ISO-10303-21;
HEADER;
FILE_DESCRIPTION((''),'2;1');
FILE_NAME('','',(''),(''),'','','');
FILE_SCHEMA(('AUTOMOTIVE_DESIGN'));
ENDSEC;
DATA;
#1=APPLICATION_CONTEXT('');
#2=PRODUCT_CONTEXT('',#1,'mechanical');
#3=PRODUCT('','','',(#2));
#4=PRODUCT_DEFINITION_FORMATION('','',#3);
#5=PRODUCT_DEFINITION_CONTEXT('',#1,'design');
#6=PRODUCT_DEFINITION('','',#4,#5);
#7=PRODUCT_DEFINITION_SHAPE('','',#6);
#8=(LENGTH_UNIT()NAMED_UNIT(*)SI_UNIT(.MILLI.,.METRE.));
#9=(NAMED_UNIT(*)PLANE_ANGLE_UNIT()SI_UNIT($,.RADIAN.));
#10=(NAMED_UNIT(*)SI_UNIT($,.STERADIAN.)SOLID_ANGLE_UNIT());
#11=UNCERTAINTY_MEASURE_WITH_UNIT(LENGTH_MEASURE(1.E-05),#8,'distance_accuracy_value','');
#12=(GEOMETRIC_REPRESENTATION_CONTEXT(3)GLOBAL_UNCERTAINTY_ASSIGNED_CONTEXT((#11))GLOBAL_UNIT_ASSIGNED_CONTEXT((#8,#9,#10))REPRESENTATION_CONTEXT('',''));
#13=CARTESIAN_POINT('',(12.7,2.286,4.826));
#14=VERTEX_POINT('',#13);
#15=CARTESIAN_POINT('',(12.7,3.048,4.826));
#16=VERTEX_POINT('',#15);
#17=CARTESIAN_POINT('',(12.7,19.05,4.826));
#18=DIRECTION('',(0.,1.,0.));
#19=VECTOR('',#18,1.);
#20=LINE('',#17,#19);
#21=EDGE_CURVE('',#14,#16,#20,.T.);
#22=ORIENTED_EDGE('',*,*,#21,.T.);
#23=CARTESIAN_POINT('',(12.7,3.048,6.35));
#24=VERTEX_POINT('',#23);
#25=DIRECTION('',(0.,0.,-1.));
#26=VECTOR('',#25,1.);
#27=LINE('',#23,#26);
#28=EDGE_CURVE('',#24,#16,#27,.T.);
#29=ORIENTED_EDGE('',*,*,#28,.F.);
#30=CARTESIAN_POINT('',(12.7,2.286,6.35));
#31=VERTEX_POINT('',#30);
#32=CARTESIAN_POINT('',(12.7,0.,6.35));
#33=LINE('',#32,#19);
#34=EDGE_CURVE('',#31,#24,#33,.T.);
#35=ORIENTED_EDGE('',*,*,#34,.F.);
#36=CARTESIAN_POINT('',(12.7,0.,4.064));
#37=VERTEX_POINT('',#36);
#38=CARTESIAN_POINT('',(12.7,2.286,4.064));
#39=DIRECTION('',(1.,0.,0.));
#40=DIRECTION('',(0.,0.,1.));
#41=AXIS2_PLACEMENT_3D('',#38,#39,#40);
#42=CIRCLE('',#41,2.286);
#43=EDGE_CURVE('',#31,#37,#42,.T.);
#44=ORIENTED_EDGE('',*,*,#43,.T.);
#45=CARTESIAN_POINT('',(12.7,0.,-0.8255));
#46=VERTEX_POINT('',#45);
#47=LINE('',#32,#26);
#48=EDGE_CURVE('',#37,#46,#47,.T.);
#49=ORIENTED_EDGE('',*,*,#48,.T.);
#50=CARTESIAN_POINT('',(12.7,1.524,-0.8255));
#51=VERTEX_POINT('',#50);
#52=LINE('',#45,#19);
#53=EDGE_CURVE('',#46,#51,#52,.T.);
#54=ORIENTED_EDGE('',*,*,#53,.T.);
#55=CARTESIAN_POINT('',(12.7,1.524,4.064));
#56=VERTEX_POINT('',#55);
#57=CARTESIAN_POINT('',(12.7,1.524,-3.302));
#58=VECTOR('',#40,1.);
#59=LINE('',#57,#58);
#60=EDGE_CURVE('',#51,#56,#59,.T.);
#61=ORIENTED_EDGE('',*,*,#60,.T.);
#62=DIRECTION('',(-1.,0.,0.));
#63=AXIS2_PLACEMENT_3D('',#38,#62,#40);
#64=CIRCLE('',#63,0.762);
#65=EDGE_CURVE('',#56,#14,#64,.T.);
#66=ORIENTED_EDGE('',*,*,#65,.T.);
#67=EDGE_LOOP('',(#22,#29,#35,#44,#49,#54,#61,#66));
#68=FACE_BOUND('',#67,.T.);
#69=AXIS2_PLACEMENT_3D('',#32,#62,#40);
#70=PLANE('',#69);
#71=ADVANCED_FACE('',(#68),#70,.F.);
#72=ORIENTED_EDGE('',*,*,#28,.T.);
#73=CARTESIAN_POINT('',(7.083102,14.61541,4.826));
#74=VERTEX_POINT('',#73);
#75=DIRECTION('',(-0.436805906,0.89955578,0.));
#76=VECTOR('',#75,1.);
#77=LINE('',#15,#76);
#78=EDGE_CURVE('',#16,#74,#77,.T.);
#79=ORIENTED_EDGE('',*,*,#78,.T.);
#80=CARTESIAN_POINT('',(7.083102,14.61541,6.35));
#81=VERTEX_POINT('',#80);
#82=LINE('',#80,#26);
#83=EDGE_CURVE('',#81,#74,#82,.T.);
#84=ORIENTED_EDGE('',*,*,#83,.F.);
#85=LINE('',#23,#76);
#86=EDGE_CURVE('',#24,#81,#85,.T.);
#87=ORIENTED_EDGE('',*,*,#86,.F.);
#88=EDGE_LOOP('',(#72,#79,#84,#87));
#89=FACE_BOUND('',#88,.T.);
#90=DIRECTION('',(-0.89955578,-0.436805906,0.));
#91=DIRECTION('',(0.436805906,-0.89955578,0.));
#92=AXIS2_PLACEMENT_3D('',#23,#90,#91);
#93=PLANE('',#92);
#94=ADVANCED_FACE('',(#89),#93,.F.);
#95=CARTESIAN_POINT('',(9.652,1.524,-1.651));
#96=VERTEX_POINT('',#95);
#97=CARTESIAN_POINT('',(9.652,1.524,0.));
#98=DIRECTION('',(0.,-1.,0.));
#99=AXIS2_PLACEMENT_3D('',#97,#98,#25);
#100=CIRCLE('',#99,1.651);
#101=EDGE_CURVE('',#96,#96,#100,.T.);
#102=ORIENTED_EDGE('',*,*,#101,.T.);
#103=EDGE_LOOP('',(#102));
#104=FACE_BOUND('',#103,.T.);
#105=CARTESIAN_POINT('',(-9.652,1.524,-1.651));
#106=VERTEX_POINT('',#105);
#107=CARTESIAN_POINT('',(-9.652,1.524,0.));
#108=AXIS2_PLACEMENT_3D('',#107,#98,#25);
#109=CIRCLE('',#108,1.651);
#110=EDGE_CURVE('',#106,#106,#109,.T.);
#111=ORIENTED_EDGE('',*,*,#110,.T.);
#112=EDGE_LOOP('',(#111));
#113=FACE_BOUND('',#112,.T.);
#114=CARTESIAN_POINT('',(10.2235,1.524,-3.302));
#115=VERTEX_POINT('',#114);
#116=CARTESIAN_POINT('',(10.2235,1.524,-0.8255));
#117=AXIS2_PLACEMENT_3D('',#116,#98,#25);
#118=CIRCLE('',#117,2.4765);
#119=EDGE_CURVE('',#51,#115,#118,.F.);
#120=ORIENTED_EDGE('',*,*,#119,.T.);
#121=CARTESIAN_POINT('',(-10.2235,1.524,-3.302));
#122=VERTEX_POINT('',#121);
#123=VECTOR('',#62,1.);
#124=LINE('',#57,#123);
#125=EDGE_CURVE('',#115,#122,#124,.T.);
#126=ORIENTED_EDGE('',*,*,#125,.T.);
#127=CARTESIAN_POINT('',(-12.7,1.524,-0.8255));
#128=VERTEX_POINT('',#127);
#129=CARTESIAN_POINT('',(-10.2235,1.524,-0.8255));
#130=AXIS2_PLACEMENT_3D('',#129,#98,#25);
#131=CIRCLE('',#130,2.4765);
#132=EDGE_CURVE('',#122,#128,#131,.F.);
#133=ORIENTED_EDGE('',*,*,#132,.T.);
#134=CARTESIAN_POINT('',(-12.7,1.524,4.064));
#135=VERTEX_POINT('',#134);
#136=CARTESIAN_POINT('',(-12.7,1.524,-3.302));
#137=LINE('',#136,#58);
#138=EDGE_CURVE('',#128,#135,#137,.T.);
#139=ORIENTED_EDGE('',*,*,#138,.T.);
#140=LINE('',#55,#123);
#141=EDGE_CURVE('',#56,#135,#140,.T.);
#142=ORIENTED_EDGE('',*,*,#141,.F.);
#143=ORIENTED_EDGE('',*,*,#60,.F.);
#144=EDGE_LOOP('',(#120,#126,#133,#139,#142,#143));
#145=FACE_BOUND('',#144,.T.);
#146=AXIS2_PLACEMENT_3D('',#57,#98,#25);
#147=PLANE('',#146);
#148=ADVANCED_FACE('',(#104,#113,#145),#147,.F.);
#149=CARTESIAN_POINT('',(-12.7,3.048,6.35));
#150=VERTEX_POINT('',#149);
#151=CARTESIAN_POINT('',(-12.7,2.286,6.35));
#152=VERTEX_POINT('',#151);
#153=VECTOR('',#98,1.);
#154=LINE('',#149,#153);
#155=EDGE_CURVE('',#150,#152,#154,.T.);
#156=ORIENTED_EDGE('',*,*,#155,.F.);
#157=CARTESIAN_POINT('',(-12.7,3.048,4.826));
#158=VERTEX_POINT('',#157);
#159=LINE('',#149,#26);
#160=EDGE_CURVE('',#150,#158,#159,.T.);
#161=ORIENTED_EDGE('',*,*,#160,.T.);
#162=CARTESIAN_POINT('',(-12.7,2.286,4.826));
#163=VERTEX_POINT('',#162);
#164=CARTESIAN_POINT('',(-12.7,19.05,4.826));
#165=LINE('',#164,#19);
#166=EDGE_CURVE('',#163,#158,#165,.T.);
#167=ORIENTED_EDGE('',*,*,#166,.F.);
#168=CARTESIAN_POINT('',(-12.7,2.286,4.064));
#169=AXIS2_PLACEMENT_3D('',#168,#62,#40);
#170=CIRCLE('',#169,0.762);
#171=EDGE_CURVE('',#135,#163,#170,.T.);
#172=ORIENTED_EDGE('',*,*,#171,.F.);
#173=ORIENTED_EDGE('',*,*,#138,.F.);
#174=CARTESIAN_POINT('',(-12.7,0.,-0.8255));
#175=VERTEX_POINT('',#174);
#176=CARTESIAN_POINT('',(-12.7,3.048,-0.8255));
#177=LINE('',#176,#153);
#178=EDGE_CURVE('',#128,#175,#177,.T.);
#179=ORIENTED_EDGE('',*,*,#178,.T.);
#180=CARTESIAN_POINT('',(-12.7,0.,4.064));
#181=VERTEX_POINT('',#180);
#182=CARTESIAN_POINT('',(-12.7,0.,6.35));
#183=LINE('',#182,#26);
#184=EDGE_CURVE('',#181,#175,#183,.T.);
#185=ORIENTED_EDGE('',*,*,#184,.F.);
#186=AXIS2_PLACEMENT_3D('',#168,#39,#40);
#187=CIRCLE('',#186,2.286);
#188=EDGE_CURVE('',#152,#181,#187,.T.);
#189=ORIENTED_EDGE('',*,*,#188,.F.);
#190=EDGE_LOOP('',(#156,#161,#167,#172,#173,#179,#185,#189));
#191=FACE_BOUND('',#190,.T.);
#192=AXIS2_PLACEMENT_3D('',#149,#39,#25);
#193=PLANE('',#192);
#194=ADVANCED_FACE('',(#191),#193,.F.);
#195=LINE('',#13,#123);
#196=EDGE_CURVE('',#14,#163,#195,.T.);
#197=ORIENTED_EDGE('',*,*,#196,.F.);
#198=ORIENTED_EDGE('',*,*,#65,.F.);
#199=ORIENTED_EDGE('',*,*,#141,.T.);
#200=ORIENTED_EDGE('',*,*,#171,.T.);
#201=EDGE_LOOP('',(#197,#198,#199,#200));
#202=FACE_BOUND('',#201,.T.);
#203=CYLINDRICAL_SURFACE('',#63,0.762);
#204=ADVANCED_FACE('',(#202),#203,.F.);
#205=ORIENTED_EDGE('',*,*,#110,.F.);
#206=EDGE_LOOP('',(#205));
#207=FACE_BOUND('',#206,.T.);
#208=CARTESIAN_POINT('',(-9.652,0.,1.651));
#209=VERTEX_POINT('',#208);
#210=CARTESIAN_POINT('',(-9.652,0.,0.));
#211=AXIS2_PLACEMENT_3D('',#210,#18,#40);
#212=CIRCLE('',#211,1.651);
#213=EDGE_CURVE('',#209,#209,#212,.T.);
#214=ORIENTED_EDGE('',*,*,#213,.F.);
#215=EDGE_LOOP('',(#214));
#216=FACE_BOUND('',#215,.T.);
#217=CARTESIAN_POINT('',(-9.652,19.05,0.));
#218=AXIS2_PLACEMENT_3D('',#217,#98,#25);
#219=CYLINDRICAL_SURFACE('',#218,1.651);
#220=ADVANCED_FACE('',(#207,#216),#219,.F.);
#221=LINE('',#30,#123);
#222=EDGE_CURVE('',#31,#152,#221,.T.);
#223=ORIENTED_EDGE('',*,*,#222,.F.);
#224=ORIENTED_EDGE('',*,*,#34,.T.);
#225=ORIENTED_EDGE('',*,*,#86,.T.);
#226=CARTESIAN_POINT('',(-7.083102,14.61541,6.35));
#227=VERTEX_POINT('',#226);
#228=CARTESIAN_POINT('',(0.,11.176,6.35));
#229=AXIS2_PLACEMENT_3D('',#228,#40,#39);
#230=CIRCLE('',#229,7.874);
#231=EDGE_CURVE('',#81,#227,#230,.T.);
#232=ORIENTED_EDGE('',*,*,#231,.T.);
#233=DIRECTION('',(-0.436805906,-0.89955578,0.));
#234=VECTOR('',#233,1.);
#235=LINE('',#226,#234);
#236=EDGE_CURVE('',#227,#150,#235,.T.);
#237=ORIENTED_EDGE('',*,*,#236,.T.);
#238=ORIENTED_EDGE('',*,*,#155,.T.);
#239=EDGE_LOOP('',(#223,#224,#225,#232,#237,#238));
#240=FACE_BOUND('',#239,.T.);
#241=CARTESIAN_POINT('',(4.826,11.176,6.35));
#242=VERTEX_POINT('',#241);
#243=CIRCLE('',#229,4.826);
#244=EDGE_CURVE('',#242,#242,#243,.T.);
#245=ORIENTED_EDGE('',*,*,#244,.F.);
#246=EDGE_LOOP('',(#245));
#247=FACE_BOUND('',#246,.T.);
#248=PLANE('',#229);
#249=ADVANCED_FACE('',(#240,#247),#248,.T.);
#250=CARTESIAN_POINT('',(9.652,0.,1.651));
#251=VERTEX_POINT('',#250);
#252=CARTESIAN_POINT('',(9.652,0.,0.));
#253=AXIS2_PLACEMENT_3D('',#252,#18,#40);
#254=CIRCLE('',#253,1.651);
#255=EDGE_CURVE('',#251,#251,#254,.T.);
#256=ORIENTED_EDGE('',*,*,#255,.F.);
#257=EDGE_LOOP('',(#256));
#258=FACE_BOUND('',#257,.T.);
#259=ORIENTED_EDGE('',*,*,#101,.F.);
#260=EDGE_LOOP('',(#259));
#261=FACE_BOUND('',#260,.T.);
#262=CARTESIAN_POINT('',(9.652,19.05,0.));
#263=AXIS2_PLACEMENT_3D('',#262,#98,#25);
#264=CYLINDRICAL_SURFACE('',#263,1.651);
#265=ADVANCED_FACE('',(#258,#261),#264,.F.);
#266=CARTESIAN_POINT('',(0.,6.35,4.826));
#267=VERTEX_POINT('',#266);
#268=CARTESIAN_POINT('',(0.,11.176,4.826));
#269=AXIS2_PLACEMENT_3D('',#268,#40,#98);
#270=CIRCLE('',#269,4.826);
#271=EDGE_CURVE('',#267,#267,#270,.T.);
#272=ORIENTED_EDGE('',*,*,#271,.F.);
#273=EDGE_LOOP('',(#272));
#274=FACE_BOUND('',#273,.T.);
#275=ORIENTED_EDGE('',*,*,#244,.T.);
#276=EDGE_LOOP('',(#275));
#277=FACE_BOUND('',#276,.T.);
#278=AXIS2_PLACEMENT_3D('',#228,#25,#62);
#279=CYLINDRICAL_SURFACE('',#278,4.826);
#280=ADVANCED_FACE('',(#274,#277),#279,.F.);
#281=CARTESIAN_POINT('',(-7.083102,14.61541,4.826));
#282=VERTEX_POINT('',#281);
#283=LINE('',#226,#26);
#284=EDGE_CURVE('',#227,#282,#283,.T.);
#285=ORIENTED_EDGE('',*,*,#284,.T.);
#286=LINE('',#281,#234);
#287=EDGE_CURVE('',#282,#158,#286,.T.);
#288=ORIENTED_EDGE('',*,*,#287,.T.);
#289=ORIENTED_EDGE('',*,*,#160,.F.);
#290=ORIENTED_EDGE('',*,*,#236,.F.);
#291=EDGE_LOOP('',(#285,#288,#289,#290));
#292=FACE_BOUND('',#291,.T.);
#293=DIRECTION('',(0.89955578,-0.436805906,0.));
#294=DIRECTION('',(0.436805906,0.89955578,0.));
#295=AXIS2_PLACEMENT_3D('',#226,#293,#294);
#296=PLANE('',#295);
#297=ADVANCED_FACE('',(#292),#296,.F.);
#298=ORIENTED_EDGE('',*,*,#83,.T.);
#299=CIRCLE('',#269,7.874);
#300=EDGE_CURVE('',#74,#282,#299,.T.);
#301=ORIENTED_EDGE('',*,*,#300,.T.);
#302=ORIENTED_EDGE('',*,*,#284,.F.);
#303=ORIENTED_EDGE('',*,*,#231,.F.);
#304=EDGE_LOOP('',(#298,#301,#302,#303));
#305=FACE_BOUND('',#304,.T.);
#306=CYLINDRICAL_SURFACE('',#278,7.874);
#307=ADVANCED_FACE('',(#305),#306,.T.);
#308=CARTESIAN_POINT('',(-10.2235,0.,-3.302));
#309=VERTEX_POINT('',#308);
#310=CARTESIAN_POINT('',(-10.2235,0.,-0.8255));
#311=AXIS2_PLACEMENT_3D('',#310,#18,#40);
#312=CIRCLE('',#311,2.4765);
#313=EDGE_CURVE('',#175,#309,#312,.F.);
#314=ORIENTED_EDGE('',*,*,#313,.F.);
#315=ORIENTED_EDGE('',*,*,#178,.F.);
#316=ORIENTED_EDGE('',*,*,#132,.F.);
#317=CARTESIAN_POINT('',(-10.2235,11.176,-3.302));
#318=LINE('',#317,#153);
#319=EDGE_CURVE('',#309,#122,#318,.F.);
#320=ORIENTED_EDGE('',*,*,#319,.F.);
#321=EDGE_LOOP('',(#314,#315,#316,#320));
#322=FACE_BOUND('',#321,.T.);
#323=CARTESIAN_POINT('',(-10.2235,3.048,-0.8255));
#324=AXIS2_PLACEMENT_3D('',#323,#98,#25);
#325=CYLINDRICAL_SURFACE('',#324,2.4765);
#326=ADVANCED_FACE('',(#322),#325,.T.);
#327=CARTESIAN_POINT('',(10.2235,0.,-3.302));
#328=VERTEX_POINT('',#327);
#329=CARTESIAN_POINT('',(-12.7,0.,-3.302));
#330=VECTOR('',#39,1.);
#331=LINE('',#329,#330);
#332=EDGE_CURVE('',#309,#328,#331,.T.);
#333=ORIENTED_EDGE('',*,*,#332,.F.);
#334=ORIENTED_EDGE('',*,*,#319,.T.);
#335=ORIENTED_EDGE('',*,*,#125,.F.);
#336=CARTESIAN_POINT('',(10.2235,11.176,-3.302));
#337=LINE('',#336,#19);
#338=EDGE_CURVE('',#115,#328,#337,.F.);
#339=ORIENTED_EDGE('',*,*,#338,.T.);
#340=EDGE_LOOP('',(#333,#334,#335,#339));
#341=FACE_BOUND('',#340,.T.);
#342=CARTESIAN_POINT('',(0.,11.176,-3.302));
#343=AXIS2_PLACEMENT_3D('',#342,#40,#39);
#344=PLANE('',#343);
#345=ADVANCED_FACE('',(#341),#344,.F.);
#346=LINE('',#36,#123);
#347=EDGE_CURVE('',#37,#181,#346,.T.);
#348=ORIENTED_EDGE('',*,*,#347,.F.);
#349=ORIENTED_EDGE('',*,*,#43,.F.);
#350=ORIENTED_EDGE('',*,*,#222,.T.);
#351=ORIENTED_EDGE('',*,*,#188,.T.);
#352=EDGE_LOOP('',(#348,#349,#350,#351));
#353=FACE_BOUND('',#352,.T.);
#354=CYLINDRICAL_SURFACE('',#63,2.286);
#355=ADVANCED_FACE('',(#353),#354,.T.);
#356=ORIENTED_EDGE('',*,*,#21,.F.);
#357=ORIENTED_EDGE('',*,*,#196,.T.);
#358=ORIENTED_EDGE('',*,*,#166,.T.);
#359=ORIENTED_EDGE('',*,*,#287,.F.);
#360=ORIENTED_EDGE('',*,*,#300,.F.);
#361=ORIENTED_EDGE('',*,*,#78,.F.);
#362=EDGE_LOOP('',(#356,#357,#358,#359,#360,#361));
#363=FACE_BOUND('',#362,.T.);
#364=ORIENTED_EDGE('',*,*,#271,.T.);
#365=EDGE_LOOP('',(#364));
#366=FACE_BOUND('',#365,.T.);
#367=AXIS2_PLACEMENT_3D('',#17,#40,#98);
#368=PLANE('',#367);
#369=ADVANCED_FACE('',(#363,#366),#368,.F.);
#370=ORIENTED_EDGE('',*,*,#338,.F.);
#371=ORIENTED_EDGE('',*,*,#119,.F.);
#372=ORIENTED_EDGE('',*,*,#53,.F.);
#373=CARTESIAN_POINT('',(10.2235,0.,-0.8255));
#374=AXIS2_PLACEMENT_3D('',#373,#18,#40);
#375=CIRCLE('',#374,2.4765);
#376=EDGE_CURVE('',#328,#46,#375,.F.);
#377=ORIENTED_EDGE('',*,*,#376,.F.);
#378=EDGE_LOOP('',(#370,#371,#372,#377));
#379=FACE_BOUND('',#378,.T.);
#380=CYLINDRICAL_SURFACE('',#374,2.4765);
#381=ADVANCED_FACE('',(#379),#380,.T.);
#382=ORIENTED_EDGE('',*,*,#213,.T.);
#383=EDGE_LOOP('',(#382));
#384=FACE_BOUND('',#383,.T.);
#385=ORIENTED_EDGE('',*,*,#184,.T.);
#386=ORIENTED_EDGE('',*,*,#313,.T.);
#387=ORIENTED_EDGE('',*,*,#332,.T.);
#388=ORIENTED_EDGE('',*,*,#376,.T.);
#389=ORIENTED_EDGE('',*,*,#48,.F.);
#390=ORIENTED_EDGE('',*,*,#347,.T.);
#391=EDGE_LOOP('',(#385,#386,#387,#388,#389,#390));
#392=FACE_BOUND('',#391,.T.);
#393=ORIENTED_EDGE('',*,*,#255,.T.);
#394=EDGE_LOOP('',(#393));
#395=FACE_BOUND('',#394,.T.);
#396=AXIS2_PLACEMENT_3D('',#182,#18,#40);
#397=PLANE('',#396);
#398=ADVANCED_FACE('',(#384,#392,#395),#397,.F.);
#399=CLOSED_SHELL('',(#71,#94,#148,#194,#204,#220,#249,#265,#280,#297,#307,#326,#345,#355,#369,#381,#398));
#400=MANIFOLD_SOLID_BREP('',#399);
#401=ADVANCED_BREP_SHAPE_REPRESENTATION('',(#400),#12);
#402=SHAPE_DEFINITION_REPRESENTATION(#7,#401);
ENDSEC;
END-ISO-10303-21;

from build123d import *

# Parameters (mm, degrees)
BOSS_EXTRUDE1_DEPTH      = 6.35
BOSS_EXTRUDE1_DEPTH_BACK = 3.302
SKETCH3_R                = 4.826
SKETCH4_R                = 1.651
CUT_EXTRUDE1_DEPTH       = 24.759524406
CUT_EXTRUDE2_DEPTH       = 33.378773911
FILLET1_R                = 2.4765


with BuildPart() as part:
    # Sketch3 → Boss-Extrude1 (new, two sides: drawn at the far end of the back side and taken through both)
    with BuildSketch(Plane.XY.offset(-BOSS_EXTRUDE1_DEPTH_BACK)):
        with BuildLine():
            Line((-12.7, 0), (12.7, 0))
            Line((12.7, 0), (12.7, 3.048))
            Line((12.7, 3.048), (7.083102209, 14.615409702))
            ThreePointArc((7.083102209, 14.615409702), (0, 19.05), (-7.083102209, 14.615409702))
            Line((-7.083102209, 14.615409702), (-12.7, 3.048))
            Line((-12.7, 3.048), (-12.7, 0))
        make_face()
        with Locations((0, 11.176)):
            Circle(SKETCH3_R, mode=Mode.SUBTRACT)
    extrude(amount=BOSS_EXTRUDE1_DEPTH + BOSS_EXTRUDE1_DEPTH_BACK)

    # Sketch4 → Cut-Extrude1 (cut, through all)
    with BuildSketch(Plane(origin=(0, 0, 0), x_dir=(1, 0, 0), z_dir=(0, 1, 0))):
        with Locations((9.652, 0)):
            Circle(SKETCH4_R)
        with Locations(Location((-9.652, 0, 0), (0, 0, 180))):
            Circle(SKETCH4_R)
    extrude(amount=CUT_EXTRUDE1_DEPTH, mode=Mode.SUBTRACT)

    # Sketch5 → Cut-Extrude2 (cut, through all)
    with BuildSketch(Plane.ZY.offset(12.7)):
        with BuildLine():
            Line((-3.302, 19.05), (4.826, 19.05))
            Line((4.826, 19.05), (4.826, 2.286))
            ThreePointArc((4.826, 2.286), (4.602815367, 1.747184633), (4.064, 1.524))
            Line((4.064, 1.524), (-3.302, 1.524))
            Line((-3.302, 1.524), (-3.302, 19.05))
        make_face()
        with BuildLine():
            Line((4.064, 0), (6.35, 0))
            Line((6.35, 0), (6.35, 2.286))
            ThreePointArc((6.35, 2.286), (5.680446102, 0.669553898), (4.064, 0))
        make_face()
    extrude(amount=-CUT_EXTRUDE2_DEPTH, mode=Mode.SUBTRACT)

    # Fillet1
    fillet1_edges = [part.edges().sort_by_distance(p)[0] for p in [
        (12.7, 0.762, -3.302),
        (-12.7, 0.762, -3.302),
    ]]
    fillet(fillet1_edges, radius=FILLET1_R)


solid = part.part
